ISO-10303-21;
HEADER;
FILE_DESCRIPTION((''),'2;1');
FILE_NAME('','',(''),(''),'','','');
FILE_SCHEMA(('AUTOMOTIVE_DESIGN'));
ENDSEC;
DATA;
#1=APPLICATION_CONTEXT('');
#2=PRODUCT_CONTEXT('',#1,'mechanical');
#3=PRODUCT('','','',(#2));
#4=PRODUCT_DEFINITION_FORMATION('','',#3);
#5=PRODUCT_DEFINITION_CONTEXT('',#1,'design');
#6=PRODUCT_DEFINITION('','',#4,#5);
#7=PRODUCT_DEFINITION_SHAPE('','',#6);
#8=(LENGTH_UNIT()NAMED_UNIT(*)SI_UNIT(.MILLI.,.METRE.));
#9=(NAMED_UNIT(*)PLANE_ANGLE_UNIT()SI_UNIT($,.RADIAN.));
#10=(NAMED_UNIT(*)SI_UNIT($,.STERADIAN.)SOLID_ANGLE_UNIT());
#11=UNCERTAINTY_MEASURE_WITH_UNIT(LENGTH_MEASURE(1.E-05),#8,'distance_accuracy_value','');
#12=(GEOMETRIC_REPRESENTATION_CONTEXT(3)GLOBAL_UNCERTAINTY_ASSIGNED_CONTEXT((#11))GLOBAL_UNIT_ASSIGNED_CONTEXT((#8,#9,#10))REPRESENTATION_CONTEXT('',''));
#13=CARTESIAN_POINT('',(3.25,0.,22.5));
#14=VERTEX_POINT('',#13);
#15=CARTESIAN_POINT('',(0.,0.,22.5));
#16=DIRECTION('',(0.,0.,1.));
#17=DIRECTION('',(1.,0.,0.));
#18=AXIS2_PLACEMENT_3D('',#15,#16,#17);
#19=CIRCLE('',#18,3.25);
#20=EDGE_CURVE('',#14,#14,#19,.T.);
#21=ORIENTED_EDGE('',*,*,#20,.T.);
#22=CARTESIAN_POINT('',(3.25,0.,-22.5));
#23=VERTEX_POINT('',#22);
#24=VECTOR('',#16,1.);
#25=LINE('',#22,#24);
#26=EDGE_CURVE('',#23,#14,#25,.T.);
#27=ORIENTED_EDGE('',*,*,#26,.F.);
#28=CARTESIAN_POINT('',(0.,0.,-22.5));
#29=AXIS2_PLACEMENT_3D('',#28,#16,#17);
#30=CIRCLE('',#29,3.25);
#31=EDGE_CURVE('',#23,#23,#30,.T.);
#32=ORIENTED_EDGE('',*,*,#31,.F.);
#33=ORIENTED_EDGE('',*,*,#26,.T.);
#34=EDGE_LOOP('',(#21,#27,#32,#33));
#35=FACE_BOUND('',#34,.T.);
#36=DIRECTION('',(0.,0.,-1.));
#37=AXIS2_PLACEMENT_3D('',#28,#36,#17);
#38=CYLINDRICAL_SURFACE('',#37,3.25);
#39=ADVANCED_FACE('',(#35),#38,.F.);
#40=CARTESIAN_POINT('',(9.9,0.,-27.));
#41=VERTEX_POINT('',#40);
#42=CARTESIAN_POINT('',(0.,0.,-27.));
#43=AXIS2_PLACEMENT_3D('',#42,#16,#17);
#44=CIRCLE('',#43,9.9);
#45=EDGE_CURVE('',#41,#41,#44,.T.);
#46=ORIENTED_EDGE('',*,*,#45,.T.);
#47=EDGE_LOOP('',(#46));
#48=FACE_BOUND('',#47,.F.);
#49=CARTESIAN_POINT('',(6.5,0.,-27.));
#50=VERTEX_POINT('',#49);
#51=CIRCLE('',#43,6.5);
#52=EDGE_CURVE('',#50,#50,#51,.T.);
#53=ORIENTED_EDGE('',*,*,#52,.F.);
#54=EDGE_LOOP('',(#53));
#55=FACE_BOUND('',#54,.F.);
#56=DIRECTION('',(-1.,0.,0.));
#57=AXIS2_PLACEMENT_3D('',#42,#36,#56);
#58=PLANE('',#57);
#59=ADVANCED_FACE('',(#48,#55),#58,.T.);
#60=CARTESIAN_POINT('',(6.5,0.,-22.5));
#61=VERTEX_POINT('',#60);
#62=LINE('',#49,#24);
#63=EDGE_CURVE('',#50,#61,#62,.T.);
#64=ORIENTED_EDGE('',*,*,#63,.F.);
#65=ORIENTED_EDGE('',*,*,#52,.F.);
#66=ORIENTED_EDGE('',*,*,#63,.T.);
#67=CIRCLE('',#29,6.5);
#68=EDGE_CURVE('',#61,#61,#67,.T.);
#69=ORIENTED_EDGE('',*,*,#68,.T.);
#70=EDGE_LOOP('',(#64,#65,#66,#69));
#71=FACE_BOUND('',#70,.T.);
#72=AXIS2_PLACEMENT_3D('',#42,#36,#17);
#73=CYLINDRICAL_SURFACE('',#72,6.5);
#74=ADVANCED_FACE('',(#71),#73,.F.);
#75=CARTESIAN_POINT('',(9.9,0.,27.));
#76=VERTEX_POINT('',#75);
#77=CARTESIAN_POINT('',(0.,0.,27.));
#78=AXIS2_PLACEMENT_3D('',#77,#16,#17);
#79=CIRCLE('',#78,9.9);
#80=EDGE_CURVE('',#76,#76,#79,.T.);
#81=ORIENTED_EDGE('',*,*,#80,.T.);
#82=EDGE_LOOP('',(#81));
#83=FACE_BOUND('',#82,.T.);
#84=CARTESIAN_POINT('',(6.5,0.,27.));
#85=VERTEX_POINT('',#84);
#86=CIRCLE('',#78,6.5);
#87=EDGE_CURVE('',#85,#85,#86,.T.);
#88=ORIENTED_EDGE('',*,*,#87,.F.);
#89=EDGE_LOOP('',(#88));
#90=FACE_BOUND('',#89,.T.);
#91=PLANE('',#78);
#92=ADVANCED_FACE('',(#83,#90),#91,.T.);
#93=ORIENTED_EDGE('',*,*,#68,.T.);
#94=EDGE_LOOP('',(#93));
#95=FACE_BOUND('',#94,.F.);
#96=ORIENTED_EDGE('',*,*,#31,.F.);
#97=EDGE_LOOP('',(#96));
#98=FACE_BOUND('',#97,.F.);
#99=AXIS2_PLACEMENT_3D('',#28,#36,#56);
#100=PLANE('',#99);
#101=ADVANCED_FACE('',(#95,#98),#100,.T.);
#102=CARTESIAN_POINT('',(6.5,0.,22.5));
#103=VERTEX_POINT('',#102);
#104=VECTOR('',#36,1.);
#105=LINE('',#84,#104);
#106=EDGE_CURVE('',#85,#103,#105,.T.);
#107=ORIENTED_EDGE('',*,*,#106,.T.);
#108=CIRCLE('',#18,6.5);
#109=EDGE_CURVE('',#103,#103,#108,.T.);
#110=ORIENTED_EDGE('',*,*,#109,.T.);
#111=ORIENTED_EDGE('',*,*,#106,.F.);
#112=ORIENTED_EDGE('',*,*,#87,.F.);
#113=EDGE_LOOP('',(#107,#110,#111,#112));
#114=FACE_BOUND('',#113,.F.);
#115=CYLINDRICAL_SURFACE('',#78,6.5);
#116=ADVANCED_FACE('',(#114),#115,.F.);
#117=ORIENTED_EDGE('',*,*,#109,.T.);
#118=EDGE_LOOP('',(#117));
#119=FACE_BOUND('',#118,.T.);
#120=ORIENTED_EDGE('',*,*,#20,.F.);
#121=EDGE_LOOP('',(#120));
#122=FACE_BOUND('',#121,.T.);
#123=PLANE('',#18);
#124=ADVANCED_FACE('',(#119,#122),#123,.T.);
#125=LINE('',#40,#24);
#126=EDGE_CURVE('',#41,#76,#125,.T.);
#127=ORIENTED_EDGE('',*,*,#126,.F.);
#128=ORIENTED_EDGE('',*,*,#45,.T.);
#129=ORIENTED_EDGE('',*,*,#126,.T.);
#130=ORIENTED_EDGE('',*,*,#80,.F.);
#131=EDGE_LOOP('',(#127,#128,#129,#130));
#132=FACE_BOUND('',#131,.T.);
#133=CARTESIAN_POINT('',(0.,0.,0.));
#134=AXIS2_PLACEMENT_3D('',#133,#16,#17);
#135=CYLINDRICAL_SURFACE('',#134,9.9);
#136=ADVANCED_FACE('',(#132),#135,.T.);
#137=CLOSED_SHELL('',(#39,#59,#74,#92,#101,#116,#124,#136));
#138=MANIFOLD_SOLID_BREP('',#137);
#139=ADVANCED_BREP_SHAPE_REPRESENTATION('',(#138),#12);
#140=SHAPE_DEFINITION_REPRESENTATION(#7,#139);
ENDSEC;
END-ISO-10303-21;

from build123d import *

# Parameters (mm, degrees)
F2_R     = 9.9
F3_DEPTH = 27
F4_R     = 6.5
F5_DEPTH = 4.5
F6_R     = 3.25
F7_DEPTH = 22.501


with BuildPart() as f3:
    # F2 (on Top) → F3 (new body)
    with BuildSketch(Plane.XY):
        Circle(F2_R)
    extrude(amount=F3_DEPTH)

    # F4 (on face) → F5 (cut)
    with BuildSketch(Plane.XY.offset(27)):
        Circle(F4_R)
    extrude(amount=-F5_DEPTH, mode=Mode.SUBTRACT)

    # F6 (on face) → F7 (cut, through all)
    with BuildSketch(Plane.XY.offset(22.5)):
        Circle(F6_R)
    extrude(amount=-F7_DEPTH, mode=Mode.SUBTRACT)

    # F8: F3 across plane


with BuildPart() as f3_1:
    add(f3.part)
    add(f3.part.mirror(Plane.XY))


solid = f3_1.part
